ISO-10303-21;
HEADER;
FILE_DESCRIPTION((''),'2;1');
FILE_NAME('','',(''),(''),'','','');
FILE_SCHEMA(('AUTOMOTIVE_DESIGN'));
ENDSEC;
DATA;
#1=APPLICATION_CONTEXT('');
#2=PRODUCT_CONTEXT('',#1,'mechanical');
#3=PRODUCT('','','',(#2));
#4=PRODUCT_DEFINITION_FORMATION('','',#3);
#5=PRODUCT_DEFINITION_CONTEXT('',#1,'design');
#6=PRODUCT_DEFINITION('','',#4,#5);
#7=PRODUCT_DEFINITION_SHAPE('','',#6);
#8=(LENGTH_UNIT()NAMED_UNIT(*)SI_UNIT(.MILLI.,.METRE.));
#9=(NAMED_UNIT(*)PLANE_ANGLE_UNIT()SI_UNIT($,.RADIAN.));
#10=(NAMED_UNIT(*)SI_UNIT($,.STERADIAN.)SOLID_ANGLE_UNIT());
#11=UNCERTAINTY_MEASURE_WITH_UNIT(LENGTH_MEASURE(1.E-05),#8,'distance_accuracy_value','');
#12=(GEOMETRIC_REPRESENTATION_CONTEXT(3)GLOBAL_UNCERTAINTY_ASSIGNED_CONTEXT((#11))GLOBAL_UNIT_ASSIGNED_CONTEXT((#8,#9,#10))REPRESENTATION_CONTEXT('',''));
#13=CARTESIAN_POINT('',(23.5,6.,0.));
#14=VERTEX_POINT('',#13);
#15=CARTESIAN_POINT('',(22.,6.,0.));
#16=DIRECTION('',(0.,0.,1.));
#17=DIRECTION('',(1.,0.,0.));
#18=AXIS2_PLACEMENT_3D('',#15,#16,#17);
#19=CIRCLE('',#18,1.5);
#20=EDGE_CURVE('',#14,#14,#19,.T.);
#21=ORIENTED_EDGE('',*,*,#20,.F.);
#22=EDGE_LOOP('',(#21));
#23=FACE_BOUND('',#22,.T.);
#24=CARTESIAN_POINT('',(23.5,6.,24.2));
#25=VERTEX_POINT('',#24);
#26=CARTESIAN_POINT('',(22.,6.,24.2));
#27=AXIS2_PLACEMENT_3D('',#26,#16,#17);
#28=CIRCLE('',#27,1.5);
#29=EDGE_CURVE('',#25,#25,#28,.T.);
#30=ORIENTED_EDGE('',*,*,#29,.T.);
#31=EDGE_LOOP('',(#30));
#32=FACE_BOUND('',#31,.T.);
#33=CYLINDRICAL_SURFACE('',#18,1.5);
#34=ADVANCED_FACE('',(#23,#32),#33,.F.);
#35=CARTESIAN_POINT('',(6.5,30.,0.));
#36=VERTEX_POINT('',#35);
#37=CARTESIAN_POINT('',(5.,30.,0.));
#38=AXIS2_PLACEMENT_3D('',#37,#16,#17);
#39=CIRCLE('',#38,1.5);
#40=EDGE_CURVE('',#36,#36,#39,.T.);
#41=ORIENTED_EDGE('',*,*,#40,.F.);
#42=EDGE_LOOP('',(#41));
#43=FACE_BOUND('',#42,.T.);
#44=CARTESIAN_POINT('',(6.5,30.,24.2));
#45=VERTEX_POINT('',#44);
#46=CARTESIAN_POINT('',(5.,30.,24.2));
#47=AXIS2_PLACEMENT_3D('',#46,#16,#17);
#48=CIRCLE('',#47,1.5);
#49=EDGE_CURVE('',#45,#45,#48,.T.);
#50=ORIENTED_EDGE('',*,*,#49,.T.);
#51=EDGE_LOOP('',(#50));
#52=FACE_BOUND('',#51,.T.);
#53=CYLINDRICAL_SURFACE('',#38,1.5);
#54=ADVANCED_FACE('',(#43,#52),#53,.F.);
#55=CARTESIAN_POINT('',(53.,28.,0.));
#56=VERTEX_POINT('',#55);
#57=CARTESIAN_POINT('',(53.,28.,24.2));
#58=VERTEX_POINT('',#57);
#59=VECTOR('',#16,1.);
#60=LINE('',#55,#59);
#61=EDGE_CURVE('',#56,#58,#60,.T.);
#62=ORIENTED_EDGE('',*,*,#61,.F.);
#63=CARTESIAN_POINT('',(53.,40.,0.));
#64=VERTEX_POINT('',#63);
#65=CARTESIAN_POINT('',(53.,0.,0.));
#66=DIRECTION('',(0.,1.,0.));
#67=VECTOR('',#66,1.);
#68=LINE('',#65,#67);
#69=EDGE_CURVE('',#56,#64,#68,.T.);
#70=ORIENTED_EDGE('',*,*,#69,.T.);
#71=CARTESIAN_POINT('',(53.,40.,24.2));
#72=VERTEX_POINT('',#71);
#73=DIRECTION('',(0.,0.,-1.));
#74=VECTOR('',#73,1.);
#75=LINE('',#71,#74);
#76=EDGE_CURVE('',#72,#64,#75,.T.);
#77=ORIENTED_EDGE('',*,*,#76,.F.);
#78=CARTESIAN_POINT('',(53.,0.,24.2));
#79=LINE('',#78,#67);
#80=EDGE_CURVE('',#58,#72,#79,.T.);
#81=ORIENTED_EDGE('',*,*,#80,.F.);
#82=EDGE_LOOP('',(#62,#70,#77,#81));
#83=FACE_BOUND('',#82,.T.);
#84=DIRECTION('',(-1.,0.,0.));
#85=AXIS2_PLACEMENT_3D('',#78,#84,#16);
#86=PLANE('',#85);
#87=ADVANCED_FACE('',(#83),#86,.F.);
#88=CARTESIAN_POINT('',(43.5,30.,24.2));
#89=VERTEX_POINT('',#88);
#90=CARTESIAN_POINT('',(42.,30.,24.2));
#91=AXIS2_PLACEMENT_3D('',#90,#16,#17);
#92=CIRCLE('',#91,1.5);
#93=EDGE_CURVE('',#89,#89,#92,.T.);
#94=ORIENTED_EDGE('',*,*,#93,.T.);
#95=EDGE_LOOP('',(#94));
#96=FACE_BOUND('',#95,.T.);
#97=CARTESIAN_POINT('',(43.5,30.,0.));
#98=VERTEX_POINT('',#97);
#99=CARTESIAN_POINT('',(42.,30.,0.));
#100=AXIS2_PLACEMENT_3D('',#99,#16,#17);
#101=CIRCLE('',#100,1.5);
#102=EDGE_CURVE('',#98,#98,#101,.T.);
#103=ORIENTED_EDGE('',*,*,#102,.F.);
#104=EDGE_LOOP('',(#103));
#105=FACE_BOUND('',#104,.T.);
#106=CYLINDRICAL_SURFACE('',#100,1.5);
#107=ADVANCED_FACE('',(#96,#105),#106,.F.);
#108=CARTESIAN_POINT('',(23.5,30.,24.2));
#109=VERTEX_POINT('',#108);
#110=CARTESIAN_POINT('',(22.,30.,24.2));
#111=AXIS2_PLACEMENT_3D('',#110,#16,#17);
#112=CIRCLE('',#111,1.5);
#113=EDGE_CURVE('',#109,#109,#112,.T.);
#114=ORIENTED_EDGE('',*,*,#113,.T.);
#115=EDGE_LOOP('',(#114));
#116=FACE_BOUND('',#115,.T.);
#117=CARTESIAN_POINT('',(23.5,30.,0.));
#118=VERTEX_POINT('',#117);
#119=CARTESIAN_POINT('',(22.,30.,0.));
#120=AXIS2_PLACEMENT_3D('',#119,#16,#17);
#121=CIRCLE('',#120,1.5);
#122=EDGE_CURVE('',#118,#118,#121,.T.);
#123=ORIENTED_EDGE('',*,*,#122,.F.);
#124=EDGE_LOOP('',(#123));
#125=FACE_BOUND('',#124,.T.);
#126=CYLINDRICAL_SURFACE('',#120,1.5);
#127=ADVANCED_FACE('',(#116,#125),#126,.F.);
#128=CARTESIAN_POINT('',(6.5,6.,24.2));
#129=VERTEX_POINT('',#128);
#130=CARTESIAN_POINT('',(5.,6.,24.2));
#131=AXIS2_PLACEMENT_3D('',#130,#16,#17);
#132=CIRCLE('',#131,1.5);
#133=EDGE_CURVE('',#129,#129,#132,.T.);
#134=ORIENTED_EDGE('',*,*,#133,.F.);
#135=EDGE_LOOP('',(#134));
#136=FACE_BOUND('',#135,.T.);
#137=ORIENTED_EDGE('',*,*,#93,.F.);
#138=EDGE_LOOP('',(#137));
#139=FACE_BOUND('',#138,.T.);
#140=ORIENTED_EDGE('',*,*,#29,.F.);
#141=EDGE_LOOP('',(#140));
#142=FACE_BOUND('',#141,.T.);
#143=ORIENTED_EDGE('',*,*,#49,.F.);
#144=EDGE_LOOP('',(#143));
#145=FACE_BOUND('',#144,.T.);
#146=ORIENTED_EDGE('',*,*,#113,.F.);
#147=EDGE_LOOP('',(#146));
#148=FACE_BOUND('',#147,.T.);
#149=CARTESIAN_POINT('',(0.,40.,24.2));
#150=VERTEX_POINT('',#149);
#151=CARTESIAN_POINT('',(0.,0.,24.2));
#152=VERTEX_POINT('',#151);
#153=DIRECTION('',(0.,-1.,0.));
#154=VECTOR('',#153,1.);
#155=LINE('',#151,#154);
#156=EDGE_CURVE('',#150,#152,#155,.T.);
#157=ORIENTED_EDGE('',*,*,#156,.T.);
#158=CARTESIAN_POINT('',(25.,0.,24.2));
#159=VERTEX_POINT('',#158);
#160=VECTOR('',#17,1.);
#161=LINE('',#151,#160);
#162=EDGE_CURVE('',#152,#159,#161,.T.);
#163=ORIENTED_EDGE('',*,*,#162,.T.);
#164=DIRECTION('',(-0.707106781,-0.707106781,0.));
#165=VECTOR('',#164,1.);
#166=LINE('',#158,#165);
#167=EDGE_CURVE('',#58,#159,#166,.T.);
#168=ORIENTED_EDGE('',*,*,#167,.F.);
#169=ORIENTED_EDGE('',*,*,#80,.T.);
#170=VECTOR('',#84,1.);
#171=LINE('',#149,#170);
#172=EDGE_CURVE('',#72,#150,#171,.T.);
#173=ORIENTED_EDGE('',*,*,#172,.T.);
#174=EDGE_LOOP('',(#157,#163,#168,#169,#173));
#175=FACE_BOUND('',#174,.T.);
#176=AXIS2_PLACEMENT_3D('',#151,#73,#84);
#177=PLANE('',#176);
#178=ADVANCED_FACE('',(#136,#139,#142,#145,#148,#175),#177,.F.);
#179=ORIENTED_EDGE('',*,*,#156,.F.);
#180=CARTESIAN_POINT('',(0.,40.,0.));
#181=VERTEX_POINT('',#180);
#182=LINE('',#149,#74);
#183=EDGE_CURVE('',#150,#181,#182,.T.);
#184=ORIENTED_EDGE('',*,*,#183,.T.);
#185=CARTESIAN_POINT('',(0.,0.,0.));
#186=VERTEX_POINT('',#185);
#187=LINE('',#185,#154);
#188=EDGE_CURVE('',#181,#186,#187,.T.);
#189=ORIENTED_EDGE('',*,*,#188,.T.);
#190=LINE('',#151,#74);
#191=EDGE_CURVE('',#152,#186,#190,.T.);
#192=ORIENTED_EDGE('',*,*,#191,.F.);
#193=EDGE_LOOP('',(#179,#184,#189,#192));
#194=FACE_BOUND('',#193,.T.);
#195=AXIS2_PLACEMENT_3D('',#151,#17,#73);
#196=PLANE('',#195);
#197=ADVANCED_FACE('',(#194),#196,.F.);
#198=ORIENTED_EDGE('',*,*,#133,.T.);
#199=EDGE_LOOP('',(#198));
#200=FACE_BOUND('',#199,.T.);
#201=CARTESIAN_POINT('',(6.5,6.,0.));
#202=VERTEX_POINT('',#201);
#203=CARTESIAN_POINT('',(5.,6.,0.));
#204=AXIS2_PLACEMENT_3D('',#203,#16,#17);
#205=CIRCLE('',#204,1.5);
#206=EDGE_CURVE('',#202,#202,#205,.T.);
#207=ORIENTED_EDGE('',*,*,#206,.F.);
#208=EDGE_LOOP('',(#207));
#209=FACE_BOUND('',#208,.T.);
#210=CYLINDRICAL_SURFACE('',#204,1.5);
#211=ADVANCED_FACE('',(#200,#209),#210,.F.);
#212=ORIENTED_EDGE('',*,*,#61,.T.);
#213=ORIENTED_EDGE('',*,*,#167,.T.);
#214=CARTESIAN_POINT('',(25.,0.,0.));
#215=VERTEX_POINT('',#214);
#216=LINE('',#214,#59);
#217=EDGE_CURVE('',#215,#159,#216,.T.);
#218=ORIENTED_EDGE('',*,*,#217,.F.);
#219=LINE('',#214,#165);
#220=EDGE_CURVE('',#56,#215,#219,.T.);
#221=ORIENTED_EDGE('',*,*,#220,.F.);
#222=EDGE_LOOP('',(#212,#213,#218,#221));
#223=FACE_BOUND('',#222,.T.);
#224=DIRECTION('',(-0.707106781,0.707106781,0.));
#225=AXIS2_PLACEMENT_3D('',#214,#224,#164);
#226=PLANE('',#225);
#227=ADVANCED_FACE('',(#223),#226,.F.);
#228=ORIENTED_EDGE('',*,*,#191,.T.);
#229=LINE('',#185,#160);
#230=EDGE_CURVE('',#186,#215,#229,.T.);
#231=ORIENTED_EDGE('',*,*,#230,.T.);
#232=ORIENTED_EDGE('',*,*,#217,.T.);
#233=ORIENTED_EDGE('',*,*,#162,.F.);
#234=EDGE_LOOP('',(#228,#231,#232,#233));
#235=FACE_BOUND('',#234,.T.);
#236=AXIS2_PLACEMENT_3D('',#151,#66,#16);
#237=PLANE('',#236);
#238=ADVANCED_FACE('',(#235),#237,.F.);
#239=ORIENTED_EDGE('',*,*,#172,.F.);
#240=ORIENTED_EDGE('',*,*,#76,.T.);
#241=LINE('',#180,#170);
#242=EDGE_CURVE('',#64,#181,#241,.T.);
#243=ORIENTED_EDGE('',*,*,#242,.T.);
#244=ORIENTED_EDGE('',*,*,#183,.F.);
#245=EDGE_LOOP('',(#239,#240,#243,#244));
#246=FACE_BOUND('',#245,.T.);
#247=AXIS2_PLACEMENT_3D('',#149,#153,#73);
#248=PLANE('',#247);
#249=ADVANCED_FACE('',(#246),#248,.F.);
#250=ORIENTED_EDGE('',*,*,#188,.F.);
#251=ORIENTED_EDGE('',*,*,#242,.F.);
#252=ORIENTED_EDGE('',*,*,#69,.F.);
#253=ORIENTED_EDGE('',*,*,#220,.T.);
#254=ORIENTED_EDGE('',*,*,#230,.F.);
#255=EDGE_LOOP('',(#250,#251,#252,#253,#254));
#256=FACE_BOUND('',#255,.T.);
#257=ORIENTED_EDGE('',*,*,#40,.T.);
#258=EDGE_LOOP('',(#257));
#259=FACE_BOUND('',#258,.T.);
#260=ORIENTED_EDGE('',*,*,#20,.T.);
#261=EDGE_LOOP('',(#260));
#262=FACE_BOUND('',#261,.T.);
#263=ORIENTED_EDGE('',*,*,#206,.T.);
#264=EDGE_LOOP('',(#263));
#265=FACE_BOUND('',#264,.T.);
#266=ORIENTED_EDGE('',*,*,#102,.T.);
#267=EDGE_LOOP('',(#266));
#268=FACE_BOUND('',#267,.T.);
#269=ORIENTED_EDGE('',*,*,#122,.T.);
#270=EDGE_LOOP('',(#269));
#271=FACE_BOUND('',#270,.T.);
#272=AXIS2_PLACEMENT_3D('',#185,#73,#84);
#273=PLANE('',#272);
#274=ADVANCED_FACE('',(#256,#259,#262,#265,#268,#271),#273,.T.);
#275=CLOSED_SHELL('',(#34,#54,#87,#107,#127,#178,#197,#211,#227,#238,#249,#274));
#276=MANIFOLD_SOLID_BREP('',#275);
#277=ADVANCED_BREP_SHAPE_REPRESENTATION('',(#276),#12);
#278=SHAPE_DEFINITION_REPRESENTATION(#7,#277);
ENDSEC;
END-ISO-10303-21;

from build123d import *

# Parameters (mm, degrees)
SKETCH_1_W          = 53
SKETCH_1_H          = 40
EXTRUDE_1_DEPTH     = 24.2
CUT_EXTRUDE_1_DEPTH = 71.672767032
SKETCH_3_R          = 1.5
CUT_EXTRUDE_2_DEPTH = 71.672767032


with BuildPart() as part:
    # 草图1 → 凸台-拉伸1 (new body)
    with BuildSketch(Plane.XY):
        with Locations((26.5, 20)):
            Rectangle(SKETCH_1_W, SKETCH_1_H)
    extrude(amount=EXTRUDE_1_DEPTH)

    # 草图2 → 切除-拉伸1 (cut, through all)
    with BuildSketch(Plane.XY.offset(24.2)):
        Polygon((53, 28), (53, 0), (25, 0), align=None)
    extrude(amount=-CUT_EXTRUDE_1_DEPTH, mode=Mode.SUBTRACT)

    # 草图3 → 切除-拉伸2 (cut, through all)
    with BuildSketch(Plane.XY.offset(24.2)):
        with Locations((5, 30)):
            Circle(SKETCH_3_R)
        with Locations((5, 6)):
            Circle(SKETCH_3_R)
        with Locations((22, 30)):
            Circle(SKETCH_3_R)
        with Locations((22, 6)):
            Circle(SKETCH_3_R)
        with Locations((42, 30)):
            Circle(SKETCH_3_R)
    extrude(amount=-CUT_EXTRUDE_2_DEPTH, mode=Mode.SUBTRACT)


solid = part.part
